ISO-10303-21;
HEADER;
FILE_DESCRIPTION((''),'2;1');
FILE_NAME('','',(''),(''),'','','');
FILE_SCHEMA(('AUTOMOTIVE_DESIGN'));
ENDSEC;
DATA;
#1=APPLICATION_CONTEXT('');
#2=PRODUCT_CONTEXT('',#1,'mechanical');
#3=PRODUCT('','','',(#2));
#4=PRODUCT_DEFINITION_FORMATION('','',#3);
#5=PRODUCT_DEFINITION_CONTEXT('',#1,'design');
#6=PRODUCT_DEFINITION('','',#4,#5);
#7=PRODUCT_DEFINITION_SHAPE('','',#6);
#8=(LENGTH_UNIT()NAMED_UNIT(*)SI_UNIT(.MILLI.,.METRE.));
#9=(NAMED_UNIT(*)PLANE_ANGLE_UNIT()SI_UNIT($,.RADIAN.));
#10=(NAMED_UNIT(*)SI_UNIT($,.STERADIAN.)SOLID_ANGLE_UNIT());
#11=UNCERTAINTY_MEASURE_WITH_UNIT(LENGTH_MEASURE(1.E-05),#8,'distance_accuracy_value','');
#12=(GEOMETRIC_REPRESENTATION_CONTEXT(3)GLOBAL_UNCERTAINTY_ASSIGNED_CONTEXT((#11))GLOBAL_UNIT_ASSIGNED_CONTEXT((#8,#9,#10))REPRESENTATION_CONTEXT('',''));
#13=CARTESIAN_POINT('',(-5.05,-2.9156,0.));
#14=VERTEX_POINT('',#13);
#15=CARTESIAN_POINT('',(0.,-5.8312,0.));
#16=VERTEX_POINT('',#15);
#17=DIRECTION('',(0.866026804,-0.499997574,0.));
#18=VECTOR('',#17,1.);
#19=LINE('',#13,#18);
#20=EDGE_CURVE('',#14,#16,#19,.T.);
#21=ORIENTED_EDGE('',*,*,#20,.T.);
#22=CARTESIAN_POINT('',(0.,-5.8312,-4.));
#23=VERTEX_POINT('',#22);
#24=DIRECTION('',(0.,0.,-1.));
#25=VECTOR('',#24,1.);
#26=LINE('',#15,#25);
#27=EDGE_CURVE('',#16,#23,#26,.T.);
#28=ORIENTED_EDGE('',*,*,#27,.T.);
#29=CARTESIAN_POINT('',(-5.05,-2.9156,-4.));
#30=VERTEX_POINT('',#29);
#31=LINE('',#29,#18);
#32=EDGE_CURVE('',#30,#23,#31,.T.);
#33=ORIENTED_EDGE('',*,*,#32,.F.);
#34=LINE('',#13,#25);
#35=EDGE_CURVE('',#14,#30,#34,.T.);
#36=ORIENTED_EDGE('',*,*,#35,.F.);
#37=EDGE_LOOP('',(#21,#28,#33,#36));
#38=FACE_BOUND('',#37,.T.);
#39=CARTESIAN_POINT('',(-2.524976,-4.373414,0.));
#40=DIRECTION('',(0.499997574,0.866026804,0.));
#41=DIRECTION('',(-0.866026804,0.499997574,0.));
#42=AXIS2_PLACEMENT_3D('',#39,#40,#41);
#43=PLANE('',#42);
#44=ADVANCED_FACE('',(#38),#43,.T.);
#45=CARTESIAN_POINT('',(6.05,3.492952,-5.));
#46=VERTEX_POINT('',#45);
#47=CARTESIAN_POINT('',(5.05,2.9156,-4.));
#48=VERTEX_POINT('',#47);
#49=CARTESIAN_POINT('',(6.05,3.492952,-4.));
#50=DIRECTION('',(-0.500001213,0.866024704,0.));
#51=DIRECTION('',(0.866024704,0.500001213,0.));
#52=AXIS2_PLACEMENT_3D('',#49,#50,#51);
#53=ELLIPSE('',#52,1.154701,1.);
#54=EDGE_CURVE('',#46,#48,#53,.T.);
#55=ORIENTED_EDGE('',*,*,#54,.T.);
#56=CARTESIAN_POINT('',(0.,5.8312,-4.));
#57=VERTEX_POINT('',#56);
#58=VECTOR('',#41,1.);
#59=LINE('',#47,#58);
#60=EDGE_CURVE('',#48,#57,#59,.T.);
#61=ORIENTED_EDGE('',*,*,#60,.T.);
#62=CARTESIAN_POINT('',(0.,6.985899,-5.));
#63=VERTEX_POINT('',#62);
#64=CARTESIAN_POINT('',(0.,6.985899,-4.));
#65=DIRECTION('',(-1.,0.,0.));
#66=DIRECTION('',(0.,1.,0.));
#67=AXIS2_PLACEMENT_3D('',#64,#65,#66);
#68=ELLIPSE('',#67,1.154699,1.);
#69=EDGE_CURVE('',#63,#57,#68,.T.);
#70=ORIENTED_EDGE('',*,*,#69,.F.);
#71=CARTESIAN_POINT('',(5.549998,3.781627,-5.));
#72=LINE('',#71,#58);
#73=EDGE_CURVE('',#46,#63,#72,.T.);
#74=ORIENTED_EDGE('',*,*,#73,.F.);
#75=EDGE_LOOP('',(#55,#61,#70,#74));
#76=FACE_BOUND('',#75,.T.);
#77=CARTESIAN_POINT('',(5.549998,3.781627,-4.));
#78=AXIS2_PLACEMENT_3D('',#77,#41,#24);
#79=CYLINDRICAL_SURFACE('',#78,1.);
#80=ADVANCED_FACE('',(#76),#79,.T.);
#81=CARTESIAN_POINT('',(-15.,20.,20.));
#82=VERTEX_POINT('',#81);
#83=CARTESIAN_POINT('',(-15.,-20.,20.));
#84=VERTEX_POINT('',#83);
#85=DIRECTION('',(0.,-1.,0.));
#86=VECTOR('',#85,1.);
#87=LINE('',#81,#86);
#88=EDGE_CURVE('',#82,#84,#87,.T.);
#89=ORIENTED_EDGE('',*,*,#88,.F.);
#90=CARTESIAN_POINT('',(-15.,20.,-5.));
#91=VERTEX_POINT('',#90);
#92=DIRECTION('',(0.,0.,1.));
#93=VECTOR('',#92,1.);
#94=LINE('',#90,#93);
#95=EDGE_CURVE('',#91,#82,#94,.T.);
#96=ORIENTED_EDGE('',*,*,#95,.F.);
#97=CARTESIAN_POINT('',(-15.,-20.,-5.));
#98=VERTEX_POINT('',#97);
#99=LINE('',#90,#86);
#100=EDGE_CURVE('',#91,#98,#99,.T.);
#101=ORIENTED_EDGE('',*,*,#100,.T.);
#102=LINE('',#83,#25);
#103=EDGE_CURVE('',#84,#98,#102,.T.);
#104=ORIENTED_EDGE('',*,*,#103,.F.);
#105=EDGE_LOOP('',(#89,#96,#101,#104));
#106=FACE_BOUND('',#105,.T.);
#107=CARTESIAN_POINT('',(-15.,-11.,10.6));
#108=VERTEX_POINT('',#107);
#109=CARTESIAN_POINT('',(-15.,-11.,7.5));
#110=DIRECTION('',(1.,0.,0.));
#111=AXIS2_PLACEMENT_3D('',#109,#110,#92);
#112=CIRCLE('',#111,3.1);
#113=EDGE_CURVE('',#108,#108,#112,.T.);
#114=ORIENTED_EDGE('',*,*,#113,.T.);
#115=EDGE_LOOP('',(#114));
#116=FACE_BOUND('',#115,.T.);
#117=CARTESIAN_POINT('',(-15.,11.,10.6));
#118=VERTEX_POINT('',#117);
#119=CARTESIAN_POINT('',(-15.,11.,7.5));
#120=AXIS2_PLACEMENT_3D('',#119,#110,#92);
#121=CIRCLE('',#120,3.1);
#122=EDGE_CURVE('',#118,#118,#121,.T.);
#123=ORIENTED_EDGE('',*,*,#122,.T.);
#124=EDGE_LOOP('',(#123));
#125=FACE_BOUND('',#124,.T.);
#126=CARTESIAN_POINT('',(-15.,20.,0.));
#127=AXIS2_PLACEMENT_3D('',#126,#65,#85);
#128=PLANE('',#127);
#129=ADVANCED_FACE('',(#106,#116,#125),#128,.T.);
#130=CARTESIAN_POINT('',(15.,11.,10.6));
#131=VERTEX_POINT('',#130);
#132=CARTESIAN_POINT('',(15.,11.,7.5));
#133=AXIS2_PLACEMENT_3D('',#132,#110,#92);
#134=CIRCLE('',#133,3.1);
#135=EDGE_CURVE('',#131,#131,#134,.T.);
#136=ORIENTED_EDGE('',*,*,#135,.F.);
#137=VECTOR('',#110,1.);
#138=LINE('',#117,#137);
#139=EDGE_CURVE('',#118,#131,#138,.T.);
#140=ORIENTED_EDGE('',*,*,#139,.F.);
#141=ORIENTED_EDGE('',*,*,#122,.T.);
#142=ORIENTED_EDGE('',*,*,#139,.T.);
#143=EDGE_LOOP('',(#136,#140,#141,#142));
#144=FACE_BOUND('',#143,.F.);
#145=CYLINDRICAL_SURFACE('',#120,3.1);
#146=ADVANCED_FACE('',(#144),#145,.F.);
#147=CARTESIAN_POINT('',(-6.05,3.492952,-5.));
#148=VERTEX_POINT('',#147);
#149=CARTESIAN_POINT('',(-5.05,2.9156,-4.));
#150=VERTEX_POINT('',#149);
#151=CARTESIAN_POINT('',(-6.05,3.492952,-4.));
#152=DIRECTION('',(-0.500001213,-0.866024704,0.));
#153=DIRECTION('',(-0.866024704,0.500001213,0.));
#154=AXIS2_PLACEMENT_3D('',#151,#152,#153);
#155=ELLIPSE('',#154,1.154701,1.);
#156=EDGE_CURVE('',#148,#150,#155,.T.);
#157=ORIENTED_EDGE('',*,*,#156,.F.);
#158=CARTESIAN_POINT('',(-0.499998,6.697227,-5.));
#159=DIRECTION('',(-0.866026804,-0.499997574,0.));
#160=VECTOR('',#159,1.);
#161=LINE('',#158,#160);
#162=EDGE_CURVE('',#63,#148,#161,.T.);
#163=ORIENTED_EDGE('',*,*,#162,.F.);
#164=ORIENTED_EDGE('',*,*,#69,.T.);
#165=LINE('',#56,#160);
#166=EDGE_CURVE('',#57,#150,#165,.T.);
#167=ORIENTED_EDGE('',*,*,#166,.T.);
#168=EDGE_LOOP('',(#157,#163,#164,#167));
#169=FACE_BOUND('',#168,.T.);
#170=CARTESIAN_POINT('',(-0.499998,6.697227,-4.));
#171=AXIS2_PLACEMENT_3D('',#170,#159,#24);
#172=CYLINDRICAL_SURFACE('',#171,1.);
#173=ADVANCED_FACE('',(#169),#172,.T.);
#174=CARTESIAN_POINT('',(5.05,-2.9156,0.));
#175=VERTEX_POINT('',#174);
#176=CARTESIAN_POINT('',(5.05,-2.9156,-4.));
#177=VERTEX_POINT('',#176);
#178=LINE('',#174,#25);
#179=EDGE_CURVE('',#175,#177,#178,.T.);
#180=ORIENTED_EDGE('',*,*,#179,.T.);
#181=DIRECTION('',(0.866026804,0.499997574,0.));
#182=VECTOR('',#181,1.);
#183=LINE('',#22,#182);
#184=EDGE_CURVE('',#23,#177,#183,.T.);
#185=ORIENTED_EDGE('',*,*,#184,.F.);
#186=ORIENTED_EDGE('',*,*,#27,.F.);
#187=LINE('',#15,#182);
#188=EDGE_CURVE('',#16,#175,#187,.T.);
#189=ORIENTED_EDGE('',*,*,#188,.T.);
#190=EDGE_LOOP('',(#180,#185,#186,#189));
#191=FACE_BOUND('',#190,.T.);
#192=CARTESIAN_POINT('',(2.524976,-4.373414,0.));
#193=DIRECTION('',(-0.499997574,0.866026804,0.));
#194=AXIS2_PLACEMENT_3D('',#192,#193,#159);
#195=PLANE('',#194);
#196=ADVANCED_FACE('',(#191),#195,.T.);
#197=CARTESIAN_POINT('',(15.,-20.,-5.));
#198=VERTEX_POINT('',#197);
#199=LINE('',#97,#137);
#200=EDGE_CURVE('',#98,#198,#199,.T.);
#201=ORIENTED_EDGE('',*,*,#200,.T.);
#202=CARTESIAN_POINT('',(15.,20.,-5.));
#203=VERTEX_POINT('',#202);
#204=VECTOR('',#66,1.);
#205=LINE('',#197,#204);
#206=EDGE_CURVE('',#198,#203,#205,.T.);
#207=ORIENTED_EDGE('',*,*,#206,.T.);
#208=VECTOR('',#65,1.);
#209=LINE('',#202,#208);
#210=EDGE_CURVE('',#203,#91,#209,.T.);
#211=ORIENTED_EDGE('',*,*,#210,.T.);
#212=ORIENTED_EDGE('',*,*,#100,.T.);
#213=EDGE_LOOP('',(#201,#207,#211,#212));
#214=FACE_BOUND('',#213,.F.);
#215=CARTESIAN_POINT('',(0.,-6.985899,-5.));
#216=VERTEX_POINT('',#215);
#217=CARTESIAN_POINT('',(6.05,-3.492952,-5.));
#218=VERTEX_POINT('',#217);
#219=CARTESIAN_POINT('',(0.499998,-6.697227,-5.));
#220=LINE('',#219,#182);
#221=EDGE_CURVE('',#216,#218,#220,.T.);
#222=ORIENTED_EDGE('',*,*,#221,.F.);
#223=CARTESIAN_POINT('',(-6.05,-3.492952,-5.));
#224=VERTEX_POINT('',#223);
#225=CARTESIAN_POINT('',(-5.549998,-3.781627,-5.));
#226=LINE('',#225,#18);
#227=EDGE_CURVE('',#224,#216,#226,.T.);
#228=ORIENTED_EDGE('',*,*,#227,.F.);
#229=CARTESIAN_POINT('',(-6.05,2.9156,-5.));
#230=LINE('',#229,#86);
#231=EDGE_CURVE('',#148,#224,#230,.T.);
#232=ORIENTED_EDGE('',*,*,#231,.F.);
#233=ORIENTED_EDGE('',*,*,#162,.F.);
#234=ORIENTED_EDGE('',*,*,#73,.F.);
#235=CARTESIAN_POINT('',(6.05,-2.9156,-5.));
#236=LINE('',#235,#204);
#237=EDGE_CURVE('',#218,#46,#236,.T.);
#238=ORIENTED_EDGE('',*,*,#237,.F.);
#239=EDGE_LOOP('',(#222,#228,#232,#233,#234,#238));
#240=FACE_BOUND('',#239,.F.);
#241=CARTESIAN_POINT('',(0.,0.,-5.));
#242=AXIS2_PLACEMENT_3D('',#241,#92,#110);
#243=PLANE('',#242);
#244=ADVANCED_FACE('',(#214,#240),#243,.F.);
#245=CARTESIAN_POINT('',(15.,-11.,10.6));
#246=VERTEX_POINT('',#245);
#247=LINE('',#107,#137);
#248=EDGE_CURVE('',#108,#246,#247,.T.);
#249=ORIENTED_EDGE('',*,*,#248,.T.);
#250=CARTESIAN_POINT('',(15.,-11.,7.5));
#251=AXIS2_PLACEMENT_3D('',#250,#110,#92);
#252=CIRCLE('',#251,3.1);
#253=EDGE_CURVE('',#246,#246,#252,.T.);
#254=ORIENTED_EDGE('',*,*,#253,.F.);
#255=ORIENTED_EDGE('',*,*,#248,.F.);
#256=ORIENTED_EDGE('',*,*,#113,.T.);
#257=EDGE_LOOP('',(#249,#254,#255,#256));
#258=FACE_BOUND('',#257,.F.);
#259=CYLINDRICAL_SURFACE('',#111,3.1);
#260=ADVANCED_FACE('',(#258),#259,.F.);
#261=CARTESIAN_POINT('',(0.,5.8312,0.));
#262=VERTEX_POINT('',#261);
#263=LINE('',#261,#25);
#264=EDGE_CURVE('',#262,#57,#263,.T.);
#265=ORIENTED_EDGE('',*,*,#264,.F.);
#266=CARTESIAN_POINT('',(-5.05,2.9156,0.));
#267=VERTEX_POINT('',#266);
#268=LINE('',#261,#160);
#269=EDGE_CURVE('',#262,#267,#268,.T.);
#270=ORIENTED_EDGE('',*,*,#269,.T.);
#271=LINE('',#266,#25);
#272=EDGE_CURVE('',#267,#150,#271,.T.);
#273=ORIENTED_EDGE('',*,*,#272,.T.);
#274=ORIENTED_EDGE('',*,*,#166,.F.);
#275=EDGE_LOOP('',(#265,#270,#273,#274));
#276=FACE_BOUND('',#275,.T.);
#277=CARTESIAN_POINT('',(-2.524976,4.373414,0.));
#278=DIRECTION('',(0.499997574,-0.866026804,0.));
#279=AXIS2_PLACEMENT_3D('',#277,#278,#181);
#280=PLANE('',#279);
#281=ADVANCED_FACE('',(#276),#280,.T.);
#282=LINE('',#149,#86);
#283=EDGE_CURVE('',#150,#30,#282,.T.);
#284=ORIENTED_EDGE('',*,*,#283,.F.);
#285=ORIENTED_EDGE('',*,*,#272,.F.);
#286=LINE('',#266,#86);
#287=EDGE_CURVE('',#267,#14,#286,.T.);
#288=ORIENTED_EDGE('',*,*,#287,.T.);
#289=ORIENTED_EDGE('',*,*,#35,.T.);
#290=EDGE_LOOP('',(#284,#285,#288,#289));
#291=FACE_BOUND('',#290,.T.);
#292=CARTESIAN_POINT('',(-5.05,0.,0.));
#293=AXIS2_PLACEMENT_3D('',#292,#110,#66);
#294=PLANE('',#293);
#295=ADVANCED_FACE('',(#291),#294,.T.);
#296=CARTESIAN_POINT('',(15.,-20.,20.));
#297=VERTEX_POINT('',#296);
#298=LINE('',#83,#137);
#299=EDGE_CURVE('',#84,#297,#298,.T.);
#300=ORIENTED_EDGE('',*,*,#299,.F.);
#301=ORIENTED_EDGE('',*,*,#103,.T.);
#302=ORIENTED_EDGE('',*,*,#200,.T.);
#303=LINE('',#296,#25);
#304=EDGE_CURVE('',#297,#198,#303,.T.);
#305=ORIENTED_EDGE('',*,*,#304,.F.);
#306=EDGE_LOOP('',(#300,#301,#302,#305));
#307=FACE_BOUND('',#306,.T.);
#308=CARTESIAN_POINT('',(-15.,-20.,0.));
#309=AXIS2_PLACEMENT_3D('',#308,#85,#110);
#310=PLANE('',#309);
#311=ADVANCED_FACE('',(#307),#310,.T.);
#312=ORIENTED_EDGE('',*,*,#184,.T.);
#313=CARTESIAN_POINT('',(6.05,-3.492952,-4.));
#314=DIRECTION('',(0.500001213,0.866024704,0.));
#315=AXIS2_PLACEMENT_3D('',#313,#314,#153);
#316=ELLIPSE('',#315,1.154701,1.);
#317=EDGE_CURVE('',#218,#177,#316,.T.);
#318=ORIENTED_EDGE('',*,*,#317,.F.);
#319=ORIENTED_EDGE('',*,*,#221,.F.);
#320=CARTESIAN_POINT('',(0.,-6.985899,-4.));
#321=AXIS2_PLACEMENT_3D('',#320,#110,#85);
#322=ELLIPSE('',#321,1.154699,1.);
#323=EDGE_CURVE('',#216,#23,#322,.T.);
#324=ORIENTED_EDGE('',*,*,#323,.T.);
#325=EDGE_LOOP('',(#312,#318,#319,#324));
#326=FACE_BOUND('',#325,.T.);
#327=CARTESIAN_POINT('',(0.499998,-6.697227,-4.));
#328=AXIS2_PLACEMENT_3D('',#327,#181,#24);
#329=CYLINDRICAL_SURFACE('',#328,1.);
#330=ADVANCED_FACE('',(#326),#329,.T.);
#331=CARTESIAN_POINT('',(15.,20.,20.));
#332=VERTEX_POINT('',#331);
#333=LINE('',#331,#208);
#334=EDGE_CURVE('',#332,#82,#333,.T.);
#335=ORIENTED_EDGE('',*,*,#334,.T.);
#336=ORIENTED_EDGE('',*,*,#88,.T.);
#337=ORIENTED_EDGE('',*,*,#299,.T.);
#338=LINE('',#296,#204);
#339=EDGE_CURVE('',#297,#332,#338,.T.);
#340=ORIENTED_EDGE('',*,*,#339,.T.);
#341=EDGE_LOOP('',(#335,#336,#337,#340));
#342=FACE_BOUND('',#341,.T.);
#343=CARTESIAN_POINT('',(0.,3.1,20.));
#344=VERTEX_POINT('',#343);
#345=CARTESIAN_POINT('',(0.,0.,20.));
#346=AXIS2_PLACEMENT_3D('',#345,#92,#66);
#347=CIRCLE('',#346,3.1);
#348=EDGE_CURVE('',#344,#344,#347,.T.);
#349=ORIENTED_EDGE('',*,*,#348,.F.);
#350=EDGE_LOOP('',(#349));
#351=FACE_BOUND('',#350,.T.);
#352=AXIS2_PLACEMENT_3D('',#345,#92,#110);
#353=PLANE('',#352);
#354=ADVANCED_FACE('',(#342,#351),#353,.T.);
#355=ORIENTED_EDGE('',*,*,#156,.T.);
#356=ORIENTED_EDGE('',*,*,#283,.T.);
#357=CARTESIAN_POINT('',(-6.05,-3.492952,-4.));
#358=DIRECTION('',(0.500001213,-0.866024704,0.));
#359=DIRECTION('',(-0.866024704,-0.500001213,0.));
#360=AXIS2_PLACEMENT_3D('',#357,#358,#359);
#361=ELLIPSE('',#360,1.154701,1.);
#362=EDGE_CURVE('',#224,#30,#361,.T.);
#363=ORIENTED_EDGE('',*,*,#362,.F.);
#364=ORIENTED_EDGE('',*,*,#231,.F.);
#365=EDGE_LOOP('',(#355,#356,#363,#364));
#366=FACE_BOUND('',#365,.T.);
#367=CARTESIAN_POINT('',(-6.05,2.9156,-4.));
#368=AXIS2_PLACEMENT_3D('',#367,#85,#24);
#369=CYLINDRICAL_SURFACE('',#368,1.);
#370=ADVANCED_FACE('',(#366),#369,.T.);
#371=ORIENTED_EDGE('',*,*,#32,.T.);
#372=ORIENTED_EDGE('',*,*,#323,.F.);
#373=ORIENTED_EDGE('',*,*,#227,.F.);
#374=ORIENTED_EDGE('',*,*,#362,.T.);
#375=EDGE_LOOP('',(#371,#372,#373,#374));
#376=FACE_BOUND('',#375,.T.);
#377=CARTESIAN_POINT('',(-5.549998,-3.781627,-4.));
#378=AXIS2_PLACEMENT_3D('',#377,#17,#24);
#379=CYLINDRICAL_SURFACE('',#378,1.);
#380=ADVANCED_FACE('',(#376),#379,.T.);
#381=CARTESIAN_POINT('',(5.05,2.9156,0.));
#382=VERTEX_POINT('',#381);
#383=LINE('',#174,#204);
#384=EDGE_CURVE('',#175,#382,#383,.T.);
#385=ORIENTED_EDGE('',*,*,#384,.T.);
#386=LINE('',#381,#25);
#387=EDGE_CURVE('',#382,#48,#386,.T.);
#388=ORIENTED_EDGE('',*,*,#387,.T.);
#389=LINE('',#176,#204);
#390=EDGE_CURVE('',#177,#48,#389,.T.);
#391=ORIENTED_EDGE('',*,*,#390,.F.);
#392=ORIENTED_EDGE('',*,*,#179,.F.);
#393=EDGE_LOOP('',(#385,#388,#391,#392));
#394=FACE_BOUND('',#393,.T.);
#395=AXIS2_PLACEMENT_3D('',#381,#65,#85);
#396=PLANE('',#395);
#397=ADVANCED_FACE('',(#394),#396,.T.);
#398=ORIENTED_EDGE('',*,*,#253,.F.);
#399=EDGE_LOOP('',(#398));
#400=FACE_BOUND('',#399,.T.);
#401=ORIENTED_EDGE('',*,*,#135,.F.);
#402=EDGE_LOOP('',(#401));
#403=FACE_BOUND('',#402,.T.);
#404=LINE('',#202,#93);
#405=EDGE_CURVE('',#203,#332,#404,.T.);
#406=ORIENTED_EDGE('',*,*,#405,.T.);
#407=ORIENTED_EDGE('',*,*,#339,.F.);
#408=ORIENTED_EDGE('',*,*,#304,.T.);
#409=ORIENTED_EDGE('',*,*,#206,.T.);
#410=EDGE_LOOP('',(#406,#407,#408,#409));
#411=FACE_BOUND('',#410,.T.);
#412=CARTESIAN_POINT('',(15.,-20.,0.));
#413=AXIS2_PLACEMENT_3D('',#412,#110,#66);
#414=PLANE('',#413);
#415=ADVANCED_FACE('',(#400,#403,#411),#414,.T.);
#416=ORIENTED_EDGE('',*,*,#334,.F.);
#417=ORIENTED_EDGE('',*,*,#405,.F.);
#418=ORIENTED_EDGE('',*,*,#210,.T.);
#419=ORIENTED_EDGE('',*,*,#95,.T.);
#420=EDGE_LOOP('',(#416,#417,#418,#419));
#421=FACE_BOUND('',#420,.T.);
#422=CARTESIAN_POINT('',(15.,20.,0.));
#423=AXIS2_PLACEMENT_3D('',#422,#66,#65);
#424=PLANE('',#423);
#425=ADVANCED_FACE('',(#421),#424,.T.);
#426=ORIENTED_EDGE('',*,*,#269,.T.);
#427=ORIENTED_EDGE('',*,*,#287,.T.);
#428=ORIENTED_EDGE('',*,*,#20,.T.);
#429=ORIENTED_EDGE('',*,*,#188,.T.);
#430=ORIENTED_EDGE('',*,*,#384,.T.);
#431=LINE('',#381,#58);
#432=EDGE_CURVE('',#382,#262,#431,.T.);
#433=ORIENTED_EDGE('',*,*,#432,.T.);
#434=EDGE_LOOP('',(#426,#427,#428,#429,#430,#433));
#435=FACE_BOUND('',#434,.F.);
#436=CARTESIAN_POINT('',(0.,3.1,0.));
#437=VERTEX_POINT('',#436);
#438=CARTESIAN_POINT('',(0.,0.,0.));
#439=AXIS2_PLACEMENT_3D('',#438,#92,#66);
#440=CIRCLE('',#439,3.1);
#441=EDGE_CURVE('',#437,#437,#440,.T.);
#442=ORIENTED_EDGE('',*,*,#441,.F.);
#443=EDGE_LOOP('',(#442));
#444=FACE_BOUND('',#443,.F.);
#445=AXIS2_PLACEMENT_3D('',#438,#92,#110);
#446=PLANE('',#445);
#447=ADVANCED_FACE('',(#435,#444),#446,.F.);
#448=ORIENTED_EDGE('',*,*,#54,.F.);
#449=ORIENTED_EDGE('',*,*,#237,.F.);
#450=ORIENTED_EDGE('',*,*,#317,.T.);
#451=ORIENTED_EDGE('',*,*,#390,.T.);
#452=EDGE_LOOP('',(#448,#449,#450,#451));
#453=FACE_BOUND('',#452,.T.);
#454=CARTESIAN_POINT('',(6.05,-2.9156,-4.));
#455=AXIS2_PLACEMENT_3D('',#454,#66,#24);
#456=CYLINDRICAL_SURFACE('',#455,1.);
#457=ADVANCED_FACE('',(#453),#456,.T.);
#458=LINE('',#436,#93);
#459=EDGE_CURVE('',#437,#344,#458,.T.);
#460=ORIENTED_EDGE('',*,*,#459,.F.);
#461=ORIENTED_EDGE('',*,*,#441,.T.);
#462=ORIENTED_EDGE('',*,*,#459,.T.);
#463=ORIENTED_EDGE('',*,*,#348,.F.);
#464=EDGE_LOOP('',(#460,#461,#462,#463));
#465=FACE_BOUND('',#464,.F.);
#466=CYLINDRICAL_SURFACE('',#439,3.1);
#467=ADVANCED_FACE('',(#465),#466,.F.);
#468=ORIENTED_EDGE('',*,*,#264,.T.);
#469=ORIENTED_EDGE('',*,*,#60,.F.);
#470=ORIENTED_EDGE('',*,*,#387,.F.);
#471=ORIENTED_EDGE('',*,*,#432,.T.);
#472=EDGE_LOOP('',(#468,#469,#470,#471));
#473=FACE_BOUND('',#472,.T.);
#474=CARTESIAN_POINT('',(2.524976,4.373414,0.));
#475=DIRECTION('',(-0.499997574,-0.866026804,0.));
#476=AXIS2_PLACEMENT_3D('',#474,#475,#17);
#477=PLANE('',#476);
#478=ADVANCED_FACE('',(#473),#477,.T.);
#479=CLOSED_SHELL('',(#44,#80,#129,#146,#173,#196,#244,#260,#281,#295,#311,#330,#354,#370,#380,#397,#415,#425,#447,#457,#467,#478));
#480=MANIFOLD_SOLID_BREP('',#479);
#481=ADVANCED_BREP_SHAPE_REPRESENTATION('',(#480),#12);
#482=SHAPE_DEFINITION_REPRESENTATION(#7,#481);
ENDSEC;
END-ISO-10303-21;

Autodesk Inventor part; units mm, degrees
ref_plane "YZ Plane" through (0, 0, 0) normal (1, 0, 0) x (0, 1, 0)
ref_plane "XZ Plane" through (0, 0, 0) normal (0, 1, 0) x (-1, 0, 0)
ref_plane "XY Plane" through (0, 0, 0) normal (0, 0, 1) x (1, 0, 0)
sketch "Szkic1" plane through (0, 0, 0) normal (0, 0, 1) x (1, 0, 0)
  line L0 (-21, 0) -> (21, 0) construction
  line L1 (0, -28) -> (0, 28) construction
  circle A0 centre (0, 0) radius 3
  circle A1 centre (0, 0) radius 5.05
  line L2 (15, 20) -> (-15, 20)
  line L3 (-15, 20) -> (-15, -20)
  line L4 (-15, -20) -> (15, -20)
  line L5 (15, -20) -> (15, 20)
  line L6 (15, 20) -> (-15, -20) construction
  line L7 (-15, 20) -> (15, -20) construction
  line L8 (5.05, 2.9156) -> (5.05, -2.9156)
  line L9 (0, 5.8312) -> (5.05, 2.9156)
  line L10 (-5.05, 2.9156) -> (0, 5.8312)
  line L11 (-5.05, -2.9156) -> (-5.05, 2.9156)
  line L12 (0, -5.8312) -> (-5.05, -2.9156)
  line L13 (5.05, -2.9156) -> (0, -5.8312)
  point P0 (5.05, -2.9156)
  dimension "d0" = 6
  dimension "d1" = 10.1
  dimension "d2" = 30
  dimension "d3" = 40
  dimension "d8" = 360
extrude "Wyciągnięcie proste1" add sketch "Szkic1" along normal blind 20 contours A1 | L8 L13 A1 | A1 L9 L8 | A1 L10 L9 | L13 L12 A1 | A1 L11 L10 | L12 L11 A1 | L5 L4 L3 L2
extrude "Wyciągnięcie proste2" add sketch "Szkic1" against normal blind 5 contours L5 L4 L3 L2
fillet "Zaokrąglenie1" radius 1 6 edges at (5.05, 0, -5) (2.525, 4.3734, -5) (-2.525, 4.3734, -5) (-5.05, 0, -5) (-2.525, -4.3734, -5) (2.525, -4.3734, -5)
sketch "Szkic2" plane through (-15, -20, 20) normal (-1, 0, 0) x (0, 0, 1)
  line L0 (-25, 0) -> (-25, 40) projected
  line L1 (-20, -8) -> (-20, 48) construction
  line L2 (-30.5, 20) -> (8, 20) construction
  circle A0 centre (-12.5, 31) radius 3
  circle A1 centre (-12.5, 9) radius 3
  circle A2 centre (-12.5, 31) radius 7.5
  circle A3 centre (-12.5, 9) radius 7.5
  point P0 (-20, 20)
  dimension "d14" = 6
  dimension "d15" = 7.5
  dimension "d16" = 11
  dimension "d17" = 15
extrude "Wyciągnięcie proste3" cut sketch "Szkic2" against normal through all contours A0 | A1
hole "Otwór1" at (-15, -11, 7.5) at (-15, 11, 7.5) direction (1, 0, 0) diameter 6.2 end through all
hole "Otwór2" at (0, 0, 0) direction (0, 0, -1) diameter 6.2 end through all
hole "Otwór3" at (0, 0, 0) direction (0, 0, 1) diameter 6.2 end through all
properties part number "uMule-Uchwyt_koła"
